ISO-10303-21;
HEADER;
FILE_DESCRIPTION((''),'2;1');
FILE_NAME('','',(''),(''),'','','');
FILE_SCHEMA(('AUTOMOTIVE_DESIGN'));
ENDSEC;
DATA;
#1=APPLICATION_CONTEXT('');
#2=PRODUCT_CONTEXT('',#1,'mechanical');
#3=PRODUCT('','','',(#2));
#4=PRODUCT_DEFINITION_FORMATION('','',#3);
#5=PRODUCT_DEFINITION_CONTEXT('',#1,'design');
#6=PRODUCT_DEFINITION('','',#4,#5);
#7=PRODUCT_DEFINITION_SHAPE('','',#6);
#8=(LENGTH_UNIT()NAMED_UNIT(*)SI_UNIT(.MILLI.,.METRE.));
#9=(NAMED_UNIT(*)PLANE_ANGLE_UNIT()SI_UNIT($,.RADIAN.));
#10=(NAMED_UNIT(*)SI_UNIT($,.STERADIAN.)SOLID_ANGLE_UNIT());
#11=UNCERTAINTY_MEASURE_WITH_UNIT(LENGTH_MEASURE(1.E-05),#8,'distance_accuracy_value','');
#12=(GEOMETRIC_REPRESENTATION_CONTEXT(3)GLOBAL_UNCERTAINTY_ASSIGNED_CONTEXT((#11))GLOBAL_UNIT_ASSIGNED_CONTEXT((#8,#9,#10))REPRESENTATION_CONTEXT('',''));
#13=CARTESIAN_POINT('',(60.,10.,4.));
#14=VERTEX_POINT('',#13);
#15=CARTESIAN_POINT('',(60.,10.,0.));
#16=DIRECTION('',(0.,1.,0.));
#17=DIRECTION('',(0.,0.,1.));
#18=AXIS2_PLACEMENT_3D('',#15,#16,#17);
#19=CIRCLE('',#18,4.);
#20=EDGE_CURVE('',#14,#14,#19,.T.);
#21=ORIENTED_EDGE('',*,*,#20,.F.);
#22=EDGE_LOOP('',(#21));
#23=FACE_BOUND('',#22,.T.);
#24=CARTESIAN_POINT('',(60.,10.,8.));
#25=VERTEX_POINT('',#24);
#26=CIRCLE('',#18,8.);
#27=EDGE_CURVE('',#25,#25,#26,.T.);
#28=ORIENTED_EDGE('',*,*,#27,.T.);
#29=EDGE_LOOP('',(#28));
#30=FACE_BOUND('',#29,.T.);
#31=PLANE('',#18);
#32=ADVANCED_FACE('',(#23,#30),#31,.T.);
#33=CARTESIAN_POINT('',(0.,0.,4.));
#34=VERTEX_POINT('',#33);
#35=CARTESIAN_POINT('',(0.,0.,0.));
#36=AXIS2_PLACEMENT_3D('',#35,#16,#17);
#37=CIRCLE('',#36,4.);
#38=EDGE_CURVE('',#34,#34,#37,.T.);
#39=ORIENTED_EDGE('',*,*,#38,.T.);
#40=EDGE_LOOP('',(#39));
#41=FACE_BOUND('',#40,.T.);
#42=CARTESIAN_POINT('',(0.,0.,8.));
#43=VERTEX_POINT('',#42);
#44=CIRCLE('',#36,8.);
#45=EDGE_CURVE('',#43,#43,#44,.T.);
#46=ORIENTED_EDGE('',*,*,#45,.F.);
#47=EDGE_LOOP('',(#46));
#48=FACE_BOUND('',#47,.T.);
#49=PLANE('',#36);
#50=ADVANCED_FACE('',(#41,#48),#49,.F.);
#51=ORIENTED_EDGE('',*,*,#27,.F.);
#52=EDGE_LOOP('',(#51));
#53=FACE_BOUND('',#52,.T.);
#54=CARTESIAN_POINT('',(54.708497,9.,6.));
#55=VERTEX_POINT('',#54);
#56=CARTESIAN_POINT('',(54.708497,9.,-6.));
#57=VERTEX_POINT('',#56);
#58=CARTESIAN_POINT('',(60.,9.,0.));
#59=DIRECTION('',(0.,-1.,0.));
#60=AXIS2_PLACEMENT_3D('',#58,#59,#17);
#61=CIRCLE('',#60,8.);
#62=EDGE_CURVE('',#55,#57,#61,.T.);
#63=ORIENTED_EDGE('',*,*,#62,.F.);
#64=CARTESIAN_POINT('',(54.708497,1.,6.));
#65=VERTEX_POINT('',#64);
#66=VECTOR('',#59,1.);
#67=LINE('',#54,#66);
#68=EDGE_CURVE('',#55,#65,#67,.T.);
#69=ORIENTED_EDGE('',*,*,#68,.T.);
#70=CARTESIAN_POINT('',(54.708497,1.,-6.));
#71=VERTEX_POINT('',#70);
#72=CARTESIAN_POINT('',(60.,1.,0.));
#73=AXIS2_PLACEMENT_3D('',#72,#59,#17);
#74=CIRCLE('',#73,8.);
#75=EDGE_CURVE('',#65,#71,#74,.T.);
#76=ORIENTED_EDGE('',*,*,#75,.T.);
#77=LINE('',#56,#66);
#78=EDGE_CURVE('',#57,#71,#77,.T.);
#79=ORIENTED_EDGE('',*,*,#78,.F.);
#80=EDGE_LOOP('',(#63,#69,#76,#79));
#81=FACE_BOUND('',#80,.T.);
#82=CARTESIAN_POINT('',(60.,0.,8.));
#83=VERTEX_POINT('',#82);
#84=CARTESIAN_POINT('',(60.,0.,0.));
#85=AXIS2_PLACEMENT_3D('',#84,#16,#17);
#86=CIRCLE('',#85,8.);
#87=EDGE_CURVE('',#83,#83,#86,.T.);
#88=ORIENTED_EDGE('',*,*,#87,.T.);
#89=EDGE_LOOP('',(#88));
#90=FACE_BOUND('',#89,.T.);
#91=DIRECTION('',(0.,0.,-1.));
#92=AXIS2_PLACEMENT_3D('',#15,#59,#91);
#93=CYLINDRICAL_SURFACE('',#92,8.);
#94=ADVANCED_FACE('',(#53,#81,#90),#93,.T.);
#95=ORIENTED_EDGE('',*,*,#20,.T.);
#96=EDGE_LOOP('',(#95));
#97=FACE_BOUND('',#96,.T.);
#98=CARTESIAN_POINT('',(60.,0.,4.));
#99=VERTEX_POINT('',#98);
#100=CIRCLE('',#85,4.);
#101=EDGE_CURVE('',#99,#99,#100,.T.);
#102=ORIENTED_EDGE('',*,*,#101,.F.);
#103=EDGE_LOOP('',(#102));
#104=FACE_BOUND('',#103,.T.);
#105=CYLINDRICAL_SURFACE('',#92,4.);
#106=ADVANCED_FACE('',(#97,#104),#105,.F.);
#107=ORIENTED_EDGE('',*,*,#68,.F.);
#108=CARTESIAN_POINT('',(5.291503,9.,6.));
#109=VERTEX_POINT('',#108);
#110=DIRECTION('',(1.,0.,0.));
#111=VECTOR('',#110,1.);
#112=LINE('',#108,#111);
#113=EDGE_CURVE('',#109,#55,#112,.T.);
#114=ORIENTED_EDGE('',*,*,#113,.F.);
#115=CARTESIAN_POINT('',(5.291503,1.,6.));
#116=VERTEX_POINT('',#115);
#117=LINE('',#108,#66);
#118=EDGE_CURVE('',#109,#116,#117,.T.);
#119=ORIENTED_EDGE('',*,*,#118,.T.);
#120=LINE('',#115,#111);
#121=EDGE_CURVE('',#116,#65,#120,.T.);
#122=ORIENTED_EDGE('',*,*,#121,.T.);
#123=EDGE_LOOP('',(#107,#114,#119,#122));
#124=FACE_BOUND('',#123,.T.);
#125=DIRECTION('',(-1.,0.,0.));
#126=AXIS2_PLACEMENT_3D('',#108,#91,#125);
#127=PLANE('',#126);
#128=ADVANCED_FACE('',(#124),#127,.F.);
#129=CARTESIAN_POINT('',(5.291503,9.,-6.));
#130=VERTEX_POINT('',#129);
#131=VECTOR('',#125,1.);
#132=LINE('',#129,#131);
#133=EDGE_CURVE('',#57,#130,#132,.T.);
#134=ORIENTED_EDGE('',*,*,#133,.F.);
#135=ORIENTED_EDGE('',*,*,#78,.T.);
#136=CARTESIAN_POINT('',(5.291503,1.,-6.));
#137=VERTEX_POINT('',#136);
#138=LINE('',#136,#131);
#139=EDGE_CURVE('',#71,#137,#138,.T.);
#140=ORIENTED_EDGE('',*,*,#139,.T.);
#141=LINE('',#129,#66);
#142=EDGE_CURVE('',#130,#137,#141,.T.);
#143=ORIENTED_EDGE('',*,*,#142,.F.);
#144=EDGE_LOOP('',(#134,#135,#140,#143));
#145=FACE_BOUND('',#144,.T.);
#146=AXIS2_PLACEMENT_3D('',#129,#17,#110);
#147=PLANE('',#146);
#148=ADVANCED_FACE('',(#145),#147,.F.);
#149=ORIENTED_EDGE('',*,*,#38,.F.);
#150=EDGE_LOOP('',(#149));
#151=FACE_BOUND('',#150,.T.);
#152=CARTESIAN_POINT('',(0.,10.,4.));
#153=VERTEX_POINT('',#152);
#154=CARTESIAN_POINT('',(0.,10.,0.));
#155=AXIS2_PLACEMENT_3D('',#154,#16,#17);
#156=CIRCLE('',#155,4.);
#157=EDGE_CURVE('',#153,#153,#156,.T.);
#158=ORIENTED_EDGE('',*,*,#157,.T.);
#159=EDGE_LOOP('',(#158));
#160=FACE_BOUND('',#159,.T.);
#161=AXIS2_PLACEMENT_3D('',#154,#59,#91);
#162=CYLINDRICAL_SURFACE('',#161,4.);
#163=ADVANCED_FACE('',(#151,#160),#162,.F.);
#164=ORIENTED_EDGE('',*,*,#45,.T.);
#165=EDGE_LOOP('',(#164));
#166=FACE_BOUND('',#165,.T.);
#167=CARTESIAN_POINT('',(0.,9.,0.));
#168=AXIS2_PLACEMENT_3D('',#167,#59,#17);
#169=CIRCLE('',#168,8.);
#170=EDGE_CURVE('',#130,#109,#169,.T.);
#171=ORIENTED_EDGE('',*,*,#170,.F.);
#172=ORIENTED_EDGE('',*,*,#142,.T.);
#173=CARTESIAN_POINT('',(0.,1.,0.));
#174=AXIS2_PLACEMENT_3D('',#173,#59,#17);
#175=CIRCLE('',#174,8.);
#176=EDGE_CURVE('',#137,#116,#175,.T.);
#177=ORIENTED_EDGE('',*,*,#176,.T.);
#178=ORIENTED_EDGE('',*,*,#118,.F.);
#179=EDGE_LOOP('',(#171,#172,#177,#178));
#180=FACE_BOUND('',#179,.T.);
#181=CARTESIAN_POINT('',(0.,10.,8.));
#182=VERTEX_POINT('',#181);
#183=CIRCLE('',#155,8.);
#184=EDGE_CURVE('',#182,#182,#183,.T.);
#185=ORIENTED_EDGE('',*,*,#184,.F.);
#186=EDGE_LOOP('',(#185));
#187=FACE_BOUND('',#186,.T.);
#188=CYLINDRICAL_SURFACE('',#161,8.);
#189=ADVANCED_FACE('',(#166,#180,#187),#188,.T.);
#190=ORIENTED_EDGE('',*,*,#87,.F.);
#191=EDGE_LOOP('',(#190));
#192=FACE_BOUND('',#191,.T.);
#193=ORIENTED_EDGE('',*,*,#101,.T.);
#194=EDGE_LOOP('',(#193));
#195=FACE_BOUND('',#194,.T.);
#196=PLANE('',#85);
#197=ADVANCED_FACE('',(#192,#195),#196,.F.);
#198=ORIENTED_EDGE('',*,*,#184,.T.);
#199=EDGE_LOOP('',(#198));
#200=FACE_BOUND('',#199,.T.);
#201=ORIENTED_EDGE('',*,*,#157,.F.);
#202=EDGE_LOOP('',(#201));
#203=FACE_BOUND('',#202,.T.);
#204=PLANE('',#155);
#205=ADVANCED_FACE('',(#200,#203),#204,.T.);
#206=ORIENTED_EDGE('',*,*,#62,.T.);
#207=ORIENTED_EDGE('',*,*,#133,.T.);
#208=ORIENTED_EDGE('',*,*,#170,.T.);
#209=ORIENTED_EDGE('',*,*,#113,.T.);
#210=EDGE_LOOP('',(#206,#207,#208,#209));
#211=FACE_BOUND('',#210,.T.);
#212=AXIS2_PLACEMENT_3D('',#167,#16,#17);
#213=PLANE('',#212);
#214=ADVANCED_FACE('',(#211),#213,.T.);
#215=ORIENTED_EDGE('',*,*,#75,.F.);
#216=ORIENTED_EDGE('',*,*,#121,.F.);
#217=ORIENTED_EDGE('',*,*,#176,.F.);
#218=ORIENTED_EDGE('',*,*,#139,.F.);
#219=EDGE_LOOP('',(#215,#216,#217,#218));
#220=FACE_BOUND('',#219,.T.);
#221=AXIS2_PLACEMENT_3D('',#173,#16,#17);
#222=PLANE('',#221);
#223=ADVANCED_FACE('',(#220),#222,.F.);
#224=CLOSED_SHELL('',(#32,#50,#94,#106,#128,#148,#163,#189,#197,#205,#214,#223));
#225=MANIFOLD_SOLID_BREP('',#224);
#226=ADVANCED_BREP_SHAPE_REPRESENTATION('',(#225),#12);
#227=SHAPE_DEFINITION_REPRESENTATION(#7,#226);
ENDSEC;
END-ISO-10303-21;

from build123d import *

# Parameters (mm, degrees)
SKETCH_1_R        = 8
SKETCH_1_R_2      = 4
EXTRUDE_1_DEPTH   = 10
EXTRUDE_1_2_DEPTH = 10
EXTRUDE_START     = 1
EXTRUDE_2_DEPTH   = 8


with BuildPart() as part:
    # 草图1 → 凸台-拉伸1 (new body)
    with BuildSketch(Plane(origin=(0, 0, 0), x_dir=(1, 0, 0), z_dir=(0, 1, 0))):
        Circle(SKETCH_1_R)
        Circle(SKETCH_1_R_2, mode=Mode.SUBTRACT)
    extrude(amount=EXTRUDE_1_DEPTH)



with BuildPart() as body_2:
    # 草图1 → Extrude 1 2 (new body)
    with BuildSketch(Plane(origin=(0, 0, 0), x_dir=(1, 0, 0), z_dir=(0, 1, 0))):
        with Locations((60, 0)):
            Circle(SKETCH_1_R)
        with Locations((60, 0)):
            Circle(SKETCH_1_R_2, mode=Mode.SUBTRACT)
    extrude(amount=EXTRUDE_1_2_DEPTH)


with BuildPart() as part_1:
    add(part.part)

    add(body_2.part)  # 凸台-拉伸2 merges body 2
    # 草图2 → 凸台-拉伸2 (add)
    with BuildSketch(Plane(origin=(0, 0, 0), x_dir=(1, 0, 0), z_dir=(0, 1, 0)).offset(EXTRUDE_START)):
        with BuildLine():
            Line((5.291502622, -6), (54.708497378, -6))
            ThreePointArc((54.708497378, -6), (52, 0), (54.708497378, 6))
            Line((54.708497378, 6), (5.291502622, 6))
            ThreePointArc((5.291502622, 6), (8, 0), (5.291502622, -6))
        make_face()
    extrude(amount=EXTRUDE_2_DEPTH)


solid = part_1.part
